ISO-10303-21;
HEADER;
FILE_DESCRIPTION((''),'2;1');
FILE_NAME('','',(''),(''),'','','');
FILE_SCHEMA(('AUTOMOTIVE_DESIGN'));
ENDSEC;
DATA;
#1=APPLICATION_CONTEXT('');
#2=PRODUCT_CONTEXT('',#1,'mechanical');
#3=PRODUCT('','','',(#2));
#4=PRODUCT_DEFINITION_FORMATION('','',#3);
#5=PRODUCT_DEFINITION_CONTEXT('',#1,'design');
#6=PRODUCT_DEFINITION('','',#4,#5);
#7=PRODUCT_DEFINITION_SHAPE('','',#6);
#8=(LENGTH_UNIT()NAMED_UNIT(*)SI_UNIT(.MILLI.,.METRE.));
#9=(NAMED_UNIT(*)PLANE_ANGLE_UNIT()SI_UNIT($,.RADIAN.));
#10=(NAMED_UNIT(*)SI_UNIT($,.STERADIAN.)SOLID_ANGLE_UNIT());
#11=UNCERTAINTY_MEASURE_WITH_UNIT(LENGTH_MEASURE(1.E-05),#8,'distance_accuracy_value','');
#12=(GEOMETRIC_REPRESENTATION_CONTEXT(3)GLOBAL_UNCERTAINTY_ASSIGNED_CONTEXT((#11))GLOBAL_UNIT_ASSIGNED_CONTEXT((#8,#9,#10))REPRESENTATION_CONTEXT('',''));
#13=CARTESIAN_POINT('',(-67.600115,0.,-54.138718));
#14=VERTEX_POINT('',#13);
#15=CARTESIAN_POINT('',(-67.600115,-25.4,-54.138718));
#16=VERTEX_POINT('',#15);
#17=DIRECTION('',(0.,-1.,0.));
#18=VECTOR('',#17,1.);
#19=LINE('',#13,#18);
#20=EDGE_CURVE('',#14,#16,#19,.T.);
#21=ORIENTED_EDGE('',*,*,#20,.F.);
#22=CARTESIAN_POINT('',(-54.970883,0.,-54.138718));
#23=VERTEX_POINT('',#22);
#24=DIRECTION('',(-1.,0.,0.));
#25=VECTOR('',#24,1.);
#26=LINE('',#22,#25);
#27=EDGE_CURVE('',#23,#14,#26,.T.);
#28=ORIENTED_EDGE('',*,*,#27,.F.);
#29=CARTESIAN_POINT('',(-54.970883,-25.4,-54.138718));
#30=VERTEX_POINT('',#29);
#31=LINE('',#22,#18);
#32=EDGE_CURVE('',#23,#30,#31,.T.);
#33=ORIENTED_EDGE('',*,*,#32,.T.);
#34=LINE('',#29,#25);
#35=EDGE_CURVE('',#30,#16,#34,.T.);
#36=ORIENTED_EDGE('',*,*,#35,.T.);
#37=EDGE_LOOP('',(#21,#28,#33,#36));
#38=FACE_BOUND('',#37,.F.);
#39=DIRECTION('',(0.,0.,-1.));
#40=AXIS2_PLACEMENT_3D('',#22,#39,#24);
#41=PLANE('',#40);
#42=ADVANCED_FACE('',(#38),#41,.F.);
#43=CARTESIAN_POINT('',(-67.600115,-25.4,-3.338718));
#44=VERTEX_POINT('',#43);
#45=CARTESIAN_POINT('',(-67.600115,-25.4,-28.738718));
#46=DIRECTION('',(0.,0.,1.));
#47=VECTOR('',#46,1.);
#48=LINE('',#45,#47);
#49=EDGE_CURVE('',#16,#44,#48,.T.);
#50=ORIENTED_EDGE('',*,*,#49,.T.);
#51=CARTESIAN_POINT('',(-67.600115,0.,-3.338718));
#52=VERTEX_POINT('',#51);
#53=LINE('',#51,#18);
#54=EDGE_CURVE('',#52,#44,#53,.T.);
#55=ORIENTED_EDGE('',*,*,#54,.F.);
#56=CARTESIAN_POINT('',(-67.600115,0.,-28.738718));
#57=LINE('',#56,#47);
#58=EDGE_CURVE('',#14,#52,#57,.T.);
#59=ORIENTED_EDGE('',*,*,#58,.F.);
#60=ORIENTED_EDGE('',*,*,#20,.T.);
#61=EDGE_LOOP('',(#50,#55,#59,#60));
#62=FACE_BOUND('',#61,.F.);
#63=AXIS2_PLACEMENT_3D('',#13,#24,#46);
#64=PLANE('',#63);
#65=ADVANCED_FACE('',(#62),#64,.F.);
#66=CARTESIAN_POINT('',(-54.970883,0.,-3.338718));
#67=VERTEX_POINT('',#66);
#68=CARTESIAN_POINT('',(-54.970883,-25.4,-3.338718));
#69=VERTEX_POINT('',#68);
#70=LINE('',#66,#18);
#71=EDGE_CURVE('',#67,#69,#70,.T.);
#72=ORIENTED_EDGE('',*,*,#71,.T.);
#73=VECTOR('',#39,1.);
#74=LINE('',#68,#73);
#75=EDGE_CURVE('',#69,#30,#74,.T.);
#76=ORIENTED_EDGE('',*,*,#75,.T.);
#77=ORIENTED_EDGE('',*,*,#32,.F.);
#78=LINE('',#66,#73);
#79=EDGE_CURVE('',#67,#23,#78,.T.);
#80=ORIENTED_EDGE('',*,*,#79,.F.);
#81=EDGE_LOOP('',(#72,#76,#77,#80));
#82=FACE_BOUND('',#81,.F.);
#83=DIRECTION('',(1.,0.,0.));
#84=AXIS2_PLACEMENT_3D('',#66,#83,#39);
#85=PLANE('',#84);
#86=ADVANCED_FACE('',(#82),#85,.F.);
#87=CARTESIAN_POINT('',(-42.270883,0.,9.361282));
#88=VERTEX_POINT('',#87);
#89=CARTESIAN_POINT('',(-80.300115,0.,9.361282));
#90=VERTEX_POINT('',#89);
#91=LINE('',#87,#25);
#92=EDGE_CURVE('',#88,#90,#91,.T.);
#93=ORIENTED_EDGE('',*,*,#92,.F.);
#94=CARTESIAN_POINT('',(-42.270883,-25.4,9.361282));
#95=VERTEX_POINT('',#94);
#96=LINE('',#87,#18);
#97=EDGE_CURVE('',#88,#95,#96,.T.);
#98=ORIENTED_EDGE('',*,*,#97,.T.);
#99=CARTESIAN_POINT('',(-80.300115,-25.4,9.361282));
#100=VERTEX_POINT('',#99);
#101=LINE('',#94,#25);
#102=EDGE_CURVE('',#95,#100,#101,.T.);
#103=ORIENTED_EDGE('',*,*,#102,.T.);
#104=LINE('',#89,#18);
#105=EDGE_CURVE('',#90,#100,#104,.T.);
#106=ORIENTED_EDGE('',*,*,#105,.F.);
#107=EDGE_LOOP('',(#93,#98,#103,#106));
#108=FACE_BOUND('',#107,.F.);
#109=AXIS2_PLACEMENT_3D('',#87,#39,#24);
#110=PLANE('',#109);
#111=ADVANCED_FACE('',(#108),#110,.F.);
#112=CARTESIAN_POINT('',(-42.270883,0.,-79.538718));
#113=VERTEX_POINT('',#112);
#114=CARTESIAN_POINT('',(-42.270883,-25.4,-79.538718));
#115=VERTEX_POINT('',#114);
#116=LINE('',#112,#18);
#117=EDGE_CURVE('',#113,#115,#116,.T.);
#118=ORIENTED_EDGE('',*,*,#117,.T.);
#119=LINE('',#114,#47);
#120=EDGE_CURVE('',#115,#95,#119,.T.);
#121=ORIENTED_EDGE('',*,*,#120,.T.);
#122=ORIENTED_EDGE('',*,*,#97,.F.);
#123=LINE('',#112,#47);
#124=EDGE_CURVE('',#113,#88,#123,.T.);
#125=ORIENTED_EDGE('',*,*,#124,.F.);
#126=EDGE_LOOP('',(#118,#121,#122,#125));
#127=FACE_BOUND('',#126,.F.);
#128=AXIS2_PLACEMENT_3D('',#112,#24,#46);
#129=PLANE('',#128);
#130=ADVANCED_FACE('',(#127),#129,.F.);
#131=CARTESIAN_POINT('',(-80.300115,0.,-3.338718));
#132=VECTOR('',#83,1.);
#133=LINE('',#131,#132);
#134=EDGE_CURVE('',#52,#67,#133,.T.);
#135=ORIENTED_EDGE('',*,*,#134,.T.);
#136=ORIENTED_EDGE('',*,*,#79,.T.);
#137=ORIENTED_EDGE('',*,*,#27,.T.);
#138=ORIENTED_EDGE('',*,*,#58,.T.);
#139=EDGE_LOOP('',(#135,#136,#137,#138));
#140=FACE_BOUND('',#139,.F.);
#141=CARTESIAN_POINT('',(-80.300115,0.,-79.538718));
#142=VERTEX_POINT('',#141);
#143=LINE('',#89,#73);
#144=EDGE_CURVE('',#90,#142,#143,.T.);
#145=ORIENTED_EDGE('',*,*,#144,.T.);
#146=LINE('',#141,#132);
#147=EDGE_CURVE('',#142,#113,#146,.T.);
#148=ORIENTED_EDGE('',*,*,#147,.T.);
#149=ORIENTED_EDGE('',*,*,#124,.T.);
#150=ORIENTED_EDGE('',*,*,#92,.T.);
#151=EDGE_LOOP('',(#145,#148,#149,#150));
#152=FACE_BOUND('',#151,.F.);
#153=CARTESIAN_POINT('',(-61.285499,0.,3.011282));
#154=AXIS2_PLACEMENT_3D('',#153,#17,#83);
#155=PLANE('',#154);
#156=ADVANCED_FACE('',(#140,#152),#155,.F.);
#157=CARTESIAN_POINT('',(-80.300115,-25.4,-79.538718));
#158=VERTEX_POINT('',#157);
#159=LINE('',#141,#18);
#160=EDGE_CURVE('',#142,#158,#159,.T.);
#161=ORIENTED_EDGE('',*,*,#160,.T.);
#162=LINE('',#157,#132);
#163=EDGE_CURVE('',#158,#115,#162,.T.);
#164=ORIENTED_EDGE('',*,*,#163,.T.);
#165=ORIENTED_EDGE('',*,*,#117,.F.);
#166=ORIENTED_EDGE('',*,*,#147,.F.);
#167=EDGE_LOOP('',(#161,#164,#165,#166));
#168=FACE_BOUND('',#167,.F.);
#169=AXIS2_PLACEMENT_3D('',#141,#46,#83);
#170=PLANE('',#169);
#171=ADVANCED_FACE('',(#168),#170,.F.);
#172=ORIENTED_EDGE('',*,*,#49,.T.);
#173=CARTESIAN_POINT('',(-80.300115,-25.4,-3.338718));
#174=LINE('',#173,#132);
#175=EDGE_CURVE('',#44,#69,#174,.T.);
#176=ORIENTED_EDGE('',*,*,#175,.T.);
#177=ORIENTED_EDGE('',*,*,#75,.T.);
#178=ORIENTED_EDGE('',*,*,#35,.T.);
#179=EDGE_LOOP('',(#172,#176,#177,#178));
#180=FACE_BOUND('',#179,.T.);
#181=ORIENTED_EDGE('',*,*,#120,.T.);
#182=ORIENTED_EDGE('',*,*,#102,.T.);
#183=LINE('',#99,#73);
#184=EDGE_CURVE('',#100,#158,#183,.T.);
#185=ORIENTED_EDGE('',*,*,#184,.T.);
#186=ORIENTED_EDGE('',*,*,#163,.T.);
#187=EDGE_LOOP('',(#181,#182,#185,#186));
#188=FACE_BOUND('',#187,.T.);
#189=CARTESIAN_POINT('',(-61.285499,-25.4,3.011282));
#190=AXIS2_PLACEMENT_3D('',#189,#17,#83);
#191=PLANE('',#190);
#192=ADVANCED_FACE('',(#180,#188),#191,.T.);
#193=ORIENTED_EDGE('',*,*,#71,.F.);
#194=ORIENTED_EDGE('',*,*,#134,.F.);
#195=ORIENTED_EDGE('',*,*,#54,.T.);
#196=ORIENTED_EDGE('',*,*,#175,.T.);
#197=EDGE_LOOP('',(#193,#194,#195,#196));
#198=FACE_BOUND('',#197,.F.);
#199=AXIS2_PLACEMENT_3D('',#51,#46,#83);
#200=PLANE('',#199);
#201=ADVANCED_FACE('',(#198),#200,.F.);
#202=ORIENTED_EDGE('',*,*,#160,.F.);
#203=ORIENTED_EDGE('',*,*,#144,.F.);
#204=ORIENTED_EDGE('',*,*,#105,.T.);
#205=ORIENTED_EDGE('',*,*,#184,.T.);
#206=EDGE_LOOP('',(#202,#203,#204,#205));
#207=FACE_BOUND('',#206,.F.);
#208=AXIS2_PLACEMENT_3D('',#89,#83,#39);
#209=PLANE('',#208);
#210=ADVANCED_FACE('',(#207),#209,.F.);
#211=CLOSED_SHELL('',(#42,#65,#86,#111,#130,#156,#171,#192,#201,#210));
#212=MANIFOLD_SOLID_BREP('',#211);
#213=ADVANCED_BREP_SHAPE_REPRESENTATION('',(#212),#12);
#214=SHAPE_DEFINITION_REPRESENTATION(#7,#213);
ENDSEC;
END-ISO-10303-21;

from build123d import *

# Parameters (mm, degrees)
F0_W     = 12.7
F0_H     = 50.8
F1_DEPTH = 25.4


with BuildPart() as f1:
    # F0 (on Front) → F1 (new body)
    with BuildSketch(Plane.XZ):
        Polygon((-80.300115, 9.361282), (-80.300115, -3.338718), (-67.600115, -3.338718), (-54.970883, -3.338718), (-54.900115, -3.338718), (-42.270883, -3.338718), (-42.270883, 9.361282), (-54.900115, 9.361282), (-67.600115, 9.361282), align=None)
        with Locations((-73.950115, -28.738718)):
            Rectangle(F0_W, F0_H)
        Polygon((-54.970883, -3.338718), (-54.970883, -54.138718), (-42.270883, -54.138718), (-42.270883, -3.338718), (-54.900115, -3.338718), align=None)
        Polygon((-67.600115, -54.138718), (-80.300115, -54.138718), (-80.300115, -79.538718), (-42.270883, -79.538718), (-42.270883, -54.138718), (-54.970883, -54.138718), align=None)
    extrude(amount=F1_DEPTH)


solid = f1.part
